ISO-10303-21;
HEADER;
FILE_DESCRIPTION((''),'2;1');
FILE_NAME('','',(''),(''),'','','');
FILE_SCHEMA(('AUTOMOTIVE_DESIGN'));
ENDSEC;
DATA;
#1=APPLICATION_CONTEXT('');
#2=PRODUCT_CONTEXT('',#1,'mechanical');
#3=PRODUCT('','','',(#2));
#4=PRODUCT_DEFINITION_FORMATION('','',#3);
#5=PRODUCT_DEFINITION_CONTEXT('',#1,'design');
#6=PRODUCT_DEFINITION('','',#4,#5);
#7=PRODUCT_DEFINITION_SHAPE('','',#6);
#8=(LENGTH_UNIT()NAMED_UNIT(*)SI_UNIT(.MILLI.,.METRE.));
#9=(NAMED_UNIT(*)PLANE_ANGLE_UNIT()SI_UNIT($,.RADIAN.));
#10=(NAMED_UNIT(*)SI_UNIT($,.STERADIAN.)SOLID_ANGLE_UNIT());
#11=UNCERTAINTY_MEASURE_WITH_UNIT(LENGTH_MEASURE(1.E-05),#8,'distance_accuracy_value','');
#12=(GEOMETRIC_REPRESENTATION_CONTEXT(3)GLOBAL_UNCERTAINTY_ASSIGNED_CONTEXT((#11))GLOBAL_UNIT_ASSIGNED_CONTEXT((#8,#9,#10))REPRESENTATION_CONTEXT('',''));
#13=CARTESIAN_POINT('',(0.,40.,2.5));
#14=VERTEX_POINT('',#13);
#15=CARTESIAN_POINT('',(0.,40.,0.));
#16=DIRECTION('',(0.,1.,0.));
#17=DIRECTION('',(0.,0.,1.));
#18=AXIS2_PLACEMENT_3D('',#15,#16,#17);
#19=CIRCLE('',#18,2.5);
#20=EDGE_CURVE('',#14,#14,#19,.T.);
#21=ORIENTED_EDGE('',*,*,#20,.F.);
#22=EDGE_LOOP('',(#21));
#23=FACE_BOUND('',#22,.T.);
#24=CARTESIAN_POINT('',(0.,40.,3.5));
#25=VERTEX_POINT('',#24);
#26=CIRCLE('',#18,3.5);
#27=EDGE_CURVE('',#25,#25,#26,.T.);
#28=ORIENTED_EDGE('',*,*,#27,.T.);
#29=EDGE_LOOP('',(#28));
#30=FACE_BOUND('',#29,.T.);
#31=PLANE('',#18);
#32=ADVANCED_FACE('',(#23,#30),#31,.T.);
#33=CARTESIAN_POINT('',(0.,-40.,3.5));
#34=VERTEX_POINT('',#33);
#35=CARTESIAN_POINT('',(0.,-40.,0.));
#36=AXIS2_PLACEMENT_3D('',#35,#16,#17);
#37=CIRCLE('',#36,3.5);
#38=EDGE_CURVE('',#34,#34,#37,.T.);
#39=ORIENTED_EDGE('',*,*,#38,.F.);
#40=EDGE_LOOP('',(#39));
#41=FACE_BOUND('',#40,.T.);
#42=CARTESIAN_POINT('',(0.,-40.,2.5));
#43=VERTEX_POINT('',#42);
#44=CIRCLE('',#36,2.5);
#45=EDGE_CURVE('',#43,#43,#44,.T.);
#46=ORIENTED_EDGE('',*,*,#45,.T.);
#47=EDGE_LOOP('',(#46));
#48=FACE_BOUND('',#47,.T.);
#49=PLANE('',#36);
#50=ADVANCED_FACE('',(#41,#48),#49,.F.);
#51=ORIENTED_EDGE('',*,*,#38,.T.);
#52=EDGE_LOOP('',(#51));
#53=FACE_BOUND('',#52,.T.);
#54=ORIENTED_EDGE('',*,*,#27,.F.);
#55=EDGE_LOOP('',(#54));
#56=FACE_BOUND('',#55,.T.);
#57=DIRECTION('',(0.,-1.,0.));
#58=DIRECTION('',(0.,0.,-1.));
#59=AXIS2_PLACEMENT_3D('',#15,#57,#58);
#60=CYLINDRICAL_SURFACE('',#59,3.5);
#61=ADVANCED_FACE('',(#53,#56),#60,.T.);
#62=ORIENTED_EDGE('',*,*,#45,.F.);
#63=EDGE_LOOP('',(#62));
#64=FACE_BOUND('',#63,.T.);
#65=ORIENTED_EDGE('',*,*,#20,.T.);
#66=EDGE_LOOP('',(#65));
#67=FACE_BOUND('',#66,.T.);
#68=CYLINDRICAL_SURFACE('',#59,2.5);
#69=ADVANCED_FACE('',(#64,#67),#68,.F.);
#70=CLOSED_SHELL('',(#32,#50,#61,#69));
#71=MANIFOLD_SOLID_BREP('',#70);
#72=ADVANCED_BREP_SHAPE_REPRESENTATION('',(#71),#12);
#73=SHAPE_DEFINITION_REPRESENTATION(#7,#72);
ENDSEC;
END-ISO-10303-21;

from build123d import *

# Parameters (mm, degrees)
SKETCH_1_R      = 3.5
SKETCH_1_R_2    = 2.5
EXTRUDE_1_DEPTH = 40


with BuildPart() as part:
    # 草图1 → 凸台-拉伸1 (new body, symmetric)
    with BuildSketch(Plane(origin=(0, 0, 0), x_dir=(1, 0, 0), z_dir=(0, 1, 0))):
        Circle(SKETCH_1_R)
        Circle(SKETCH_1_R_2, mode=Mode.SUBTRACT)
    extrude(amount=EXTRUDE_1_DEPTH, both=True)


solid = part.part
